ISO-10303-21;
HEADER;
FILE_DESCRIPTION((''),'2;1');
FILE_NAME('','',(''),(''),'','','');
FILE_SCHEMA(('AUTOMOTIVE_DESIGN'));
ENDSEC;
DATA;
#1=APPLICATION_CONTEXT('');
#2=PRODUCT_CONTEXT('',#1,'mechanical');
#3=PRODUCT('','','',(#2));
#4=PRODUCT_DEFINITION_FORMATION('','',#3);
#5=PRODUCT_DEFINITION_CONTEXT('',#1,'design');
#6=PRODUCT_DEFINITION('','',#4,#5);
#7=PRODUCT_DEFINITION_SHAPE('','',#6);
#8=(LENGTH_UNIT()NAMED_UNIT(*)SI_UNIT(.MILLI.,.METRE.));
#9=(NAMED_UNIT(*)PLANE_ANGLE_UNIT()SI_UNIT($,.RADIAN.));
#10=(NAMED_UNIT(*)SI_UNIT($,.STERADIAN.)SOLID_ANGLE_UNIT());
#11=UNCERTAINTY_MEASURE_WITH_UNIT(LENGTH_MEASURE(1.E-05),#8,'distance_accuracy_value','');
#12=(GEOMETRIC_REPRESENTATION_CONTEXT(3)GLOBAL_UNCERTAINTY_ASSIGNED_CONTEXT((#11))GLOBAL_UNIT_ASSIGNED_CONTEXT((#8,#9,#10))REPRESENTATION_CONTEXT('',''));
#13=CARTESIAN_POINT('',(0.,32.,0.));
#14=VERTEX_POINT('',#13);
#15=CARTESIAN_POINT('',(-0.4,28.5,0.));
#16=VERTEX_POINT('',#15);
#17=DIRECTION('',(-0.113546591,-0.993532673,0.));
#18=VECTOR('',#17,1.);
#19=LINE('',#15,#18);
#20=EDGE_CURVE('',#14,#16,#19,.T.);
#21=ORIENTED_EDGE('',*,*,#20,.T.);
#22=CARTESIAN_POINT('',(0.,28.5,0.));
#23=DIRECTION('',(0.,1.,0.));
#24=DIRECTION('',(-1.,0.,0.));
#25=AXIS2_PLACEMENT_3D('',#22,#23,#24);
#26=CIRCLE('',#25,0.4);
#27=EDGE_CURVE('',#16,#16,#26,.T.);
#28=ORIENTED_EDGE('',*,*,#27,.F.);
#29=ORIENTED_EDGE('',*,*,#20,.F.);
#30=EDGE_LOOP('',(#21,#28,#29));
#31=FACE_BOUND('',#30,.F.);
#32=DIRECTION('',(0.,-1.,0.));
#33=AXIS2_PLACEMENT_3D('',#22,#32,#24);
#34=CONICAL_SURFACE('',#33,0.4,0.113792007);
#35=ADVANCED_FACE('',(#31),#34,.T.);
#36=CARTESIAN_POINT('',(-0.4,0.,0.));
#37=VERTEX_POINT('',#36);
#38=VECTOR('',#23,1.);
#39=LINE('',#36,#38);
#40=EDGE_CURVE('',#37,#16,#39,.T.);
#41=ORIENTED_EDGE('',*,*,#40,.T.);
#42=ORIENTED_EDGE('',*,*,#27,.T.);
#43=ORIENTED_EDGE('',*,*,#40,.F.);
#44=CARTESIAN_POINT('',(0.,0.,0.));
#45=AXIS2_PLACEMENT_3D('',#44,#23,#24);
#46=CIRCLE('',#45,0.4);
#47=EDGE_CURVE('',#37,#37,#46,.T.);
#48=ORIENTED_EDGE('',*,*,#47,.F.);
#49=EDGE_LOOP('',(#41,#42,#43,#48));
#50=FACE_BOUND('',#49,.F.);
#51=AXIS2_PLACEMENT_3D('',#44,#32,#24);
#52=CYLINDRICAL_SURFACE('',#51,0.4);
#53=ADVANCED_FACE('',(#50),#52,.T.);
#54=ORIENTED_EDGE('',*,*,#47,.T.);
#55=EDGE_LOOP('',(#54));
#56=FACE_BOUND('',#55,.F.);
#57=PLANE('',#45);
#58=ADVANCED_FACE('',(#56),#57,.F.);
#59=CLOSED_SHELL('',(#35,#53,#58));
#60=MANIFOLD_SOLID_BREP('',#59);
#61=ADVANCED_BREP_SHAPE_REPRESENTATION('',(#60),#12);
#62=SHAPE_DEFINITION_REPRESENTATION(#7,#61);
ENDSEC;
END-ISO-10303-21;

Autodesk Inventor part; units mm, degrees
ref_plane "YZ Plane" through (0, 0, 0) normal (1, 0, 0) x (0, 1, 0)
ref_plane "XZ Plane" through (0, 0, 0) normal (0, 1, 0) x (-1, 0, 0)
ref_plane "XY Plane" through (0, 0, 0) normal (0, 0, 1) x (1, 0, 0)
sketch "Sketch1" plane through (0, 0, 0) normal (0, 1, 0) x (-1, 0, 0)
  circle A0 centre (0, 0) radius 0.4
  dimension "d0" = 0.8
extrude "Extrusion1" add sketch "Sketch1" along normal blind 32
chamfer "Chamfer1" distance 0.4 distance2 3.5 1 edges at (0.4, 32, 0) measured on face at (0.1181, 32, -0.062)
properties part number "fake needle"
